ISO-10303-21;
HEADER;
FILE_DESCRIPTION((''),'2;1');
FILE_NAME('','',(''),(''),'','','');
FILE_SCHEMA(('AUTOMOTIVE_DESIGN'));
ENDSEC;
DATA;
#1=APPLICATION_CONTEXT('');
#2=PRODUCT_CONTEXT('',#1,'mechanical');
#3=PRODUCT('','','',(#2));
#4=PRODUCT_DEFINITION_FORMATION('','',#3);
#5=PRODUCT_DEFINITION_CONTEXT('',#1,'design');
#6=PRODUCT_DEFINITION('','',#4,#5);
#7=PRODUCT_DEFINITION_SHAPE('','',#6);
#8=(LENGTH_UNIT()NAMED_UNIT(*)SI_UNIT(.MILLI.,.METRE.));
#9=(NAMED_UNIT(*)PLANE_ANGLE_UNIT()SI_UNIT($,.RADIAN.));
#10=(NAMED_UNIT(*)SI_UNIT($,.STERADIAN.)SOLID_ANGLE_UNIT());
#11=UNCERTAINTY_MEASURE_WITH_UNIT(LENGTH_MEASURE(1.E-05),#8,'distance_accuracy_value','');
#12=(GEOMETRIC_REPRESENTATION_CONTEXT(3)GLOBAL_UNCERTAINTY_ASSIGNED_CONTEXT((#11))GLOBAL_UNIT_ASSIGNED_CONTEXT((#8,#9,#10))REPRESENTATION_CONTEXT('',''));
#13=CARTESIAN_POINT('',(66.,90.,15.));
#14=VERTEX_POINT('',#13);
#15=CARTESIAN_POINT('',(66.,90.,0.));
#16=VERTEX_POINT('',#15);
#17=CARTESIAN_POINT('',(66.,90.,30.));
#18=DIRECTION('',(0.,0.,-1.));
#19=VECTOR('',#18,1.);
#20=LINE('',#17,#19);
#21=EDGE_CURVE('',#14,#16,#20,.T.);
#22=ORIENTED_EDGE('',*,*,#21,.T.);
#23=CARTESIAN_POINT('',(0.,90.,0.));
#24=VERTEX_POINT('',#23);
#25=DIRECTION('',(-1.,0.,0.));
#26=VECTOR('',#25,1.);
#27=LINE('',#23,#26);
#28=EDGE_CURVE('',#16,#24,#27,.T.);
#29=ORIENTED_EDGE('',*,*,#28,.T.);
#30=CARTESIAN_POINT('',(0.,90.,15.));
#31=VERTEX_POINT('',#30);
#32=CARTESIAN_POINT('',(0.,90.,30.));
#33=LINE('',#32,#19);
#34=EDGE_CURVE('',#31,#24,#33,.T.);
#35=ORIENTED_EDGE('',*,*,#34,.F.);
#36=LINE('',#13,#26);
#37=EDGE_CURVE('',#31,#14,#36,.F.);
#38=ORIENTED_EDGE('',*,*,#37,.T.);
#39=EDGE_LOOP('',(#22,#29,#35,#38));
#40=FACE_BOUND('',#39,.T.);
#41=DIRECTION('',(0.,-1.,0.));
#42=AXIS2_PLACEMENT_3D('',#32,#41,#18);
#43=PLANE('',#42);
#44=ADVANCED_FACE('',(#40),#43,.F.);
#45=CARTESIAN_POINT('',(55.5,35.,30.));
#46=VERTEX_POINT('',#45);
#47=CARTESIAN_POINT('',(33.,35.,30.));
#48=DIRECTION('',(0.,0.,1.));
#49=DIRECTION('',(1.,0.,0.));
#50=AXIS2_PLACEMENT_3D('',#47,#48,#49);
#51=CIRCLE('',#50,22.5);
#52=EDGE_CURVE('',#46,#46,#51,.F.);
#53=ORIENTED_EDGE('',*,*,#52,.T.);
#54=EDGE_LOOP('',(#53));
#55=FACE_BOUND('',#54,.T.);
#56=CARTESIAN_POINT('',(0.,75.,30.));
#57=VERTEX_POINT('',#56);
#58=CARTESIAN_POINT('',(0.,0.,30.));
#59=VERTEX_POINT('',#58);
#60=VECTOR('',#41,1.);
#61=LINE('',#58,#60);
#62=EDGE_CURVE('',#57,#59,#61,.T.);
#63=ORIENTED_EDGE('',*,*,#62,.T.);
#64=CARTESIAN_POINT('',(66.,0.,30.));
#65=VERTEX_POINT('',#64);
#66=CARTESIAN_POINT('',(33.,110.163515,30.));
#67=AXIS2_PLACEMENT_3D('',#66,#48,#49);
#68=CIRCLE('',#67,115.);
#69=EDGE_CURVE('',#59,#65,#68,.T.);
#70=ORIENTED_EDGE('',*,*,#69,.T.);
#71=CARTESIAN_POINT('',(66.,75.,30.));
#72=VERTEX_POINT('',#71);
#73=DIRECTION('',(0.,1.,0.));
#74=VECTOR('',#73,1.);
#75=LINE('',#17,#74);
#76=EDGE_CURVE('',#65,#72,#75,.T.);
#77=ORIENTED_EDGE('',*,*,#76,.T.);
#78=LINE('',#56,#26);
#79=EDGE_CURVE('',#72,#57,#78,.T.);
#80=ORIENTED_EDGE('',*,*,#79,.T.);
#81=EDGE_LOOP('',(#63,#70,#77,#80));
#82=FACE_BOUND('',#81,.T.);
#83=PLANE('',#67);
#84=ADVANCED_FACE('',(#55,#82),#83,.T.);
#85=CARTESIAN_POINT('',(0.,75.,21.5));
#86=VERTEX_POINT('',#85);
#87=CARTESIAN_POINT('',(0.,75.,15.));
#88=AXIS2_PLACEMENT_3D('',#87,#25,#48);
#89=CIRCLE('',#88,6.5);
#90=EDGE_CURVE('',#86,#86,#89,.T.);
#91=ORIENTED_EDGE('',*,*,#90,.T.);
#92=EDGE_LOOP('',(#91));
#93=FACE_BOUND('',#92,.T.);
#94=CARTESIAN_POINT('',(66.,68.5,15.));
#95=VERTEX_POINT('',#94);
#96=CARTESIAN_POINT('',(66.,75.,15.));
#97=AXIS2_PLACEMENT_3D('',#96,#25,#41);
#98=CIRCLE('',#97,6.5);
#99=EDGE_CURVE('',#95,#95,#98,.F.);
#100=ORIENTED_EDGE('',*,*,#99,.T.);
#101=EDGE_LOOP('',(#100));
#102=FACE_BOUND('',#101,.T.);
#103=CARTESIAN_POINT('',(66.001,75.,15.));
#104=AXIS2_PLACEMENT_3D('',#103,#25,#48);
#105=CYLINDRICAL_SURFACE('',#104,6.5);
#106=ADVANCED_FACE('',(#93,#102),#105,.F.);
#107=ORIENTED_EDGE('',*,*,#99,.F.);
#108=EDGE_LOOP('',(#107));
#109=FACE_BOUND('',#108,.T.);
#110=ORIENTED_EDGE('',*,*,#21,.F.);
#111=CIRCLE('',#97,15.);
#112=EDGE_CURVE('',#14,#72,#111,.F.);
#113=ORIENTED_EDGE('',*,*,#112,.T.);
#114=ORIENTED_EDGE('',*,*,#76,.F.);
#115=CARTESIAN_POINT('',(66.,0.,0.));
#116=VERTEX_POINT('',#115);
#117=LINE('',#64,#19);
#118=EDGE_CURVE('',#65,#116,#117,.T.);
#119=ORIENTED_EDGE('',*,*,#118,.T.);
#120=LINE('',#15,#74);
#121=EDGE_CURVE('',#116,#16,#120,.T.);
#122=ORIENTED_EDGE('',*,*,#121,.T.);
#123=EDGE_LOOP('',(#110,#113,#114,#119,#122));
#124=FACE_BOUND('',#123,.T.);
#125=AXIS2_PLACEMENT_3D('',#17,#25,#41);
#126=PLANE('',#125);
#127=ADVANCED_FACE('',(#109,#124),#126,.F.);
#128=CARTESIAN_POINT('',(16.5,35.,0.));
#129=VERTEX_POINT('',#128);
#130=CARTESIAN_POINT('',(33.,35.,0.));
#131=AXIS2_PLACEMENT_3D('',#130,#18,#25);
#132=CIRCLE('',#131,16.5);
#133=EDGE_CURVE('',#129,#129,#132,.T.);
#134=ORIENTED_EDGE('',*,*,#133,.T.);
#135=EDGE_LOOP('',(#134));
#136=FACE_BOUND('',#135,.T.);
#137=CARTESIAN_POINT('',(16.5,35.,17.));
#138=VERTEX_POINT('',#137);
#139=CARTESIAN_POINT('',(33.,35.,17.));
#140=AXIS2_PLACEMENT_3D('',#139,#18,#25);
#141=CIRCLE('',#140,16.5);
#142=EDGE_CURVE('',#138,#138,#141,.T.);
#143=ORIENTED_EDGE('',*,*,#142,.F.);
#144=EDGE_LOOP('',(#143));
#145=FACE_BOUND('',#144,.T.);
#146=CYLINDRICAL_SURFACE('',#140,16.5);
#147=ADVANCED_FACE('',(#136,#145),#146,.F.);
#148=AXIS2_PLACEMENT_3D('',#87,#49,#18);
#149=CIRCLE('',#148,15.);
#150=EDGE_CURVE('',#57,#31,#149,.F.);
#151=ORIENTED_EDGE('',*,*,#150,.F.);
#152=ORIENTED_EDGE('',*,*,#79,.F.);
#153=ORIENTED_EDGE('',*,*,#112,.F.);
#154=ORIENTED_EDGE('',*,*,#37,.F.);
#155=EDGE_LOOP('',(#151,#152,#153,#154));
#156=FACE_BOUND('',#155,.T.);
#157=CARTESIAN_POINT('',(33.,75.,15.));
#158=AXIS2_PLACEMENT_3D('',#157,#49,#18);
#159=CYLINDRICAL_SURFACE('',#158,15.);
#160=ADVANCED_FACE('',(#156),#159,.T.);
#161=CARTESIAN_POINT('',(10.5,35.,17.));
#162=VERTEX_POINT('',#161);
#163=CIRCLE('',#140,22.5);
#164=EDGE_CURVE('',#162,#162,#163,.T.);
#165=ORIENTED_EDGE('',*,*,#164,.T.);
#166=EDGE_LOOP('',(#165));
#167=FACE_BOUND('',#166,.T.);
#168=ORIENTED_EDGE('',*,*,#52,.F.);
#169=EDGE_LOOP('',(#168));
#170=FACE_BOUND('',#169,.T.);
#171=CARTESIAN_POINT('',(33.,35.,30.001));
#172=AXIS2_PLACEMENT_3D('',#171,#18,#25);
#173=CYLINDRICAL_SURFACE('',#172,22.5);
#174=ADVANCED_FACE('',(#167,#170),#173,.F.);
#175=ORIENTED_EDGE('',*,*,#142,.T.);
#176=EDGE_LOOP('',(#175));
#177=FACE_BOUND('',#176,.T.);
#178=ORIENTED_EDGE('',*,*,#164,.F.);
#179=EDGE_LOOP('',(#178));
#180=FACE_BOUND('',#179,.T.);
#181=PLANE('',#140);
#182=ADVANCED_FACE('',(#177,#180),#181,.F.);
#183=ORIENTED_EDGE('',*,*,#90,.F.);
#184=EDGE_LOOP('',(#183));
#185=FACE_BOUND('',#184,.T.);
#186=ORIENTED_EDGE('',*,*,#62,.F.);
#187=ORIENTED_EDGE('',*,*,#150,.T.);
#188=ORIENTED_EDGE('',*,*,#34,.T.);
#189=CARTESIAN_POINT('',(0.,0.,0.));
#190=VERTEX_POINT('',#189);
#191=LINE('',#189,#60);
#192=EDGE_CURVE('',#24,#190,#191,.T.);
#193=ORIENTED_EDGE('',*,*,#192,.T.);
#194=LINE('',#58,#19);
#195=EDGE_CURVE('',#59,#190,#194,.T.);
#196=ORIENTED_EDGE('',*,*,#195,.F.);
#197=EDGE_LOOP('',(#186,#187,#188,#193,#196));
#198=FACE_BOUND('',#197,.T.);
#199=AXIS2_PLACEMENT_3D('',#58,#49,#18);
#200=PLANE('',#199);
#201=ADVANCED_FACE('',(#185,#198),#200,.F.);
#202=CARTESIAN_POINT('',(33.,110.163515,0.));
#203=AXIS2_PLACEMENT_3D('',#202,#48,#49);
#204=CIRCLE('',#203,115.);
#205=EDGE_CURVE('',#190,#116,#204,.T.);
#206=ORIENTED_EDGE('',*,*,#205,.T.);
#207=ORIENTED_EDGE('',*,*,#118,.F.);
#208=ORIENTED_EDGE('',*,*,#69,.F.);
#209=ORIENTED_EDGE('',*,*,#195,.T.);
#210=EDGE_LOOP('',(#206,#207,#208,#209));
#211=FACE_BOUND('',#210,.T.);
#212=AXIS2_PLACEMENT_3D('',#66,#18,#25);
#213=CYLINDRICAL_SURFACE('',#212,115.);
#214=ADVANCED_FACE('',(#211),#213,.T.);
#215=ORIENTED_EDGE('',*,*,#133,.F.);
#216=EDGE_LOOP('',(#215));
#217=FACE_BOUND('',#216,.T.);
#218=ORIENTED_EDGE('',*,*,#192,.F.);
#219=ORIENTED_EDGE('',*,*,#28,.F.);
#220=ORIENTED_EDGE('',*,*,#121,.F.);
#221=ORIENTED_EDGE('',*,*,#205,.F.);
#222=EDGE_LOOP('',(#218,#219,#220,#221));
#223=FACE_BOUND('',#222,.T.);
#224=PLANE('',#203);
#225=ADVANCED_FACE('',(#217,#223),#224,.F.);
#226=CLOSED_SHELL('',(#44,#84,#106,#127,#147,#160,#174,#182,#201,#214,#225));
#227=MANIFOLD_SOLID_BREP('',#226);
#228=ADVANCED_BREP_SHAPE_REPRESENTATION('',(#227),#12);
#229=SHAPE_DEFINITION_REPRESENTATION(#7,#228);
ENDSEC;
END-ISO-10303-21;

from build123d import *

# Parameters (mm, degrees)
BOSS_EXTRUDE1_DEPTH = 30
SKETCH2_R           = 16.5
CUT_EXTRUDE1_DEPTH  = 17
CUT_EXTRUDE2_REACH  = 15
SKETCH3_R           = 22.5
FILLET2_R           = 15
CUT_EXTRUDE3_REACH  = 68
SKETCH4_R           = 6.5


with BuildPart() as part:
    # Sketch1 → Boss-Extrude1 (new body)
    with BuildSketch(Plane.XY):
        with BuildLine():
            Line((0, 0), (0, 90))
            Line((0, 90), (66, 90))
            Line((66, 90), (66, 0))
            ThreePointArc((66, 0), (33, -4.836485169), (0, 0))
        make_face()
    extrude(amount=BOSS_EXTRUDE1_DEPTH)

    # Sketch2 → Cut-Extrude1 (cut)
    with BuildSketch(Plane(origin=(0, 0, 0), x_dir=(-1, 0, 0), z_dir=(0, 0, -1))):
        with Locations((-33, 35)):
            Circle(SKETCH2_R)
    extrude(amount=-CUT_EXTRUDE1_DEPTH, mode=Mode.SUBTRACT)

    # Sketch3 → Cut-Extrude2 (cut, up to next)
    with BuildSketch(Plane(origin=(0, 0, 17), x_dir=(-1, 0, 0), z_dir=(0, 0, -1)), mode=Mode.PRIVATE) as cut_extrude2_sk1:
        with Locations((-33, 35)):
            Circle(SKETCH3_R)
    cut_extrude2_tool1 = extrude(cut_extrude2_sk1.sketch, amount=-CUT_EXTRUDE2_REACH, mode=Mode.PRIVATE) & part.part
    add(cut_extrude2_tool1.solids().sort_by_distance((33, 35, 17))[0], mode=Mode.SUBTRACT)

    # Fillet2
    fillet2_edges = [part.edges().sort_by_distance(p)[0] for p in [
        (33, 90, 30),
    ]]
    fillet(fillet2_edges, radius=FILLET2_R)

    # Sketch4 → Cut-Extrude3 (cut, up to next)
    with BuildSketch(Plane.ZY, mode=Mode.PRIVATE) as cut_extrude3_sk1:
        with Locations((15, 75)):
            Circle(SKETCH4_R)
    cut_extrude3_tool1 = extrude(cut_extrude3_sk1.sketch, amount=-CUT_EXTRUDE3_REACH, mode=Mode.PRIVATE) & part.part
    add(cut_extrude3_tool1.solids().sort_by_distance((0, 75, 15))[0], mode=Mode.SUBTRACT)


solid = part.part
